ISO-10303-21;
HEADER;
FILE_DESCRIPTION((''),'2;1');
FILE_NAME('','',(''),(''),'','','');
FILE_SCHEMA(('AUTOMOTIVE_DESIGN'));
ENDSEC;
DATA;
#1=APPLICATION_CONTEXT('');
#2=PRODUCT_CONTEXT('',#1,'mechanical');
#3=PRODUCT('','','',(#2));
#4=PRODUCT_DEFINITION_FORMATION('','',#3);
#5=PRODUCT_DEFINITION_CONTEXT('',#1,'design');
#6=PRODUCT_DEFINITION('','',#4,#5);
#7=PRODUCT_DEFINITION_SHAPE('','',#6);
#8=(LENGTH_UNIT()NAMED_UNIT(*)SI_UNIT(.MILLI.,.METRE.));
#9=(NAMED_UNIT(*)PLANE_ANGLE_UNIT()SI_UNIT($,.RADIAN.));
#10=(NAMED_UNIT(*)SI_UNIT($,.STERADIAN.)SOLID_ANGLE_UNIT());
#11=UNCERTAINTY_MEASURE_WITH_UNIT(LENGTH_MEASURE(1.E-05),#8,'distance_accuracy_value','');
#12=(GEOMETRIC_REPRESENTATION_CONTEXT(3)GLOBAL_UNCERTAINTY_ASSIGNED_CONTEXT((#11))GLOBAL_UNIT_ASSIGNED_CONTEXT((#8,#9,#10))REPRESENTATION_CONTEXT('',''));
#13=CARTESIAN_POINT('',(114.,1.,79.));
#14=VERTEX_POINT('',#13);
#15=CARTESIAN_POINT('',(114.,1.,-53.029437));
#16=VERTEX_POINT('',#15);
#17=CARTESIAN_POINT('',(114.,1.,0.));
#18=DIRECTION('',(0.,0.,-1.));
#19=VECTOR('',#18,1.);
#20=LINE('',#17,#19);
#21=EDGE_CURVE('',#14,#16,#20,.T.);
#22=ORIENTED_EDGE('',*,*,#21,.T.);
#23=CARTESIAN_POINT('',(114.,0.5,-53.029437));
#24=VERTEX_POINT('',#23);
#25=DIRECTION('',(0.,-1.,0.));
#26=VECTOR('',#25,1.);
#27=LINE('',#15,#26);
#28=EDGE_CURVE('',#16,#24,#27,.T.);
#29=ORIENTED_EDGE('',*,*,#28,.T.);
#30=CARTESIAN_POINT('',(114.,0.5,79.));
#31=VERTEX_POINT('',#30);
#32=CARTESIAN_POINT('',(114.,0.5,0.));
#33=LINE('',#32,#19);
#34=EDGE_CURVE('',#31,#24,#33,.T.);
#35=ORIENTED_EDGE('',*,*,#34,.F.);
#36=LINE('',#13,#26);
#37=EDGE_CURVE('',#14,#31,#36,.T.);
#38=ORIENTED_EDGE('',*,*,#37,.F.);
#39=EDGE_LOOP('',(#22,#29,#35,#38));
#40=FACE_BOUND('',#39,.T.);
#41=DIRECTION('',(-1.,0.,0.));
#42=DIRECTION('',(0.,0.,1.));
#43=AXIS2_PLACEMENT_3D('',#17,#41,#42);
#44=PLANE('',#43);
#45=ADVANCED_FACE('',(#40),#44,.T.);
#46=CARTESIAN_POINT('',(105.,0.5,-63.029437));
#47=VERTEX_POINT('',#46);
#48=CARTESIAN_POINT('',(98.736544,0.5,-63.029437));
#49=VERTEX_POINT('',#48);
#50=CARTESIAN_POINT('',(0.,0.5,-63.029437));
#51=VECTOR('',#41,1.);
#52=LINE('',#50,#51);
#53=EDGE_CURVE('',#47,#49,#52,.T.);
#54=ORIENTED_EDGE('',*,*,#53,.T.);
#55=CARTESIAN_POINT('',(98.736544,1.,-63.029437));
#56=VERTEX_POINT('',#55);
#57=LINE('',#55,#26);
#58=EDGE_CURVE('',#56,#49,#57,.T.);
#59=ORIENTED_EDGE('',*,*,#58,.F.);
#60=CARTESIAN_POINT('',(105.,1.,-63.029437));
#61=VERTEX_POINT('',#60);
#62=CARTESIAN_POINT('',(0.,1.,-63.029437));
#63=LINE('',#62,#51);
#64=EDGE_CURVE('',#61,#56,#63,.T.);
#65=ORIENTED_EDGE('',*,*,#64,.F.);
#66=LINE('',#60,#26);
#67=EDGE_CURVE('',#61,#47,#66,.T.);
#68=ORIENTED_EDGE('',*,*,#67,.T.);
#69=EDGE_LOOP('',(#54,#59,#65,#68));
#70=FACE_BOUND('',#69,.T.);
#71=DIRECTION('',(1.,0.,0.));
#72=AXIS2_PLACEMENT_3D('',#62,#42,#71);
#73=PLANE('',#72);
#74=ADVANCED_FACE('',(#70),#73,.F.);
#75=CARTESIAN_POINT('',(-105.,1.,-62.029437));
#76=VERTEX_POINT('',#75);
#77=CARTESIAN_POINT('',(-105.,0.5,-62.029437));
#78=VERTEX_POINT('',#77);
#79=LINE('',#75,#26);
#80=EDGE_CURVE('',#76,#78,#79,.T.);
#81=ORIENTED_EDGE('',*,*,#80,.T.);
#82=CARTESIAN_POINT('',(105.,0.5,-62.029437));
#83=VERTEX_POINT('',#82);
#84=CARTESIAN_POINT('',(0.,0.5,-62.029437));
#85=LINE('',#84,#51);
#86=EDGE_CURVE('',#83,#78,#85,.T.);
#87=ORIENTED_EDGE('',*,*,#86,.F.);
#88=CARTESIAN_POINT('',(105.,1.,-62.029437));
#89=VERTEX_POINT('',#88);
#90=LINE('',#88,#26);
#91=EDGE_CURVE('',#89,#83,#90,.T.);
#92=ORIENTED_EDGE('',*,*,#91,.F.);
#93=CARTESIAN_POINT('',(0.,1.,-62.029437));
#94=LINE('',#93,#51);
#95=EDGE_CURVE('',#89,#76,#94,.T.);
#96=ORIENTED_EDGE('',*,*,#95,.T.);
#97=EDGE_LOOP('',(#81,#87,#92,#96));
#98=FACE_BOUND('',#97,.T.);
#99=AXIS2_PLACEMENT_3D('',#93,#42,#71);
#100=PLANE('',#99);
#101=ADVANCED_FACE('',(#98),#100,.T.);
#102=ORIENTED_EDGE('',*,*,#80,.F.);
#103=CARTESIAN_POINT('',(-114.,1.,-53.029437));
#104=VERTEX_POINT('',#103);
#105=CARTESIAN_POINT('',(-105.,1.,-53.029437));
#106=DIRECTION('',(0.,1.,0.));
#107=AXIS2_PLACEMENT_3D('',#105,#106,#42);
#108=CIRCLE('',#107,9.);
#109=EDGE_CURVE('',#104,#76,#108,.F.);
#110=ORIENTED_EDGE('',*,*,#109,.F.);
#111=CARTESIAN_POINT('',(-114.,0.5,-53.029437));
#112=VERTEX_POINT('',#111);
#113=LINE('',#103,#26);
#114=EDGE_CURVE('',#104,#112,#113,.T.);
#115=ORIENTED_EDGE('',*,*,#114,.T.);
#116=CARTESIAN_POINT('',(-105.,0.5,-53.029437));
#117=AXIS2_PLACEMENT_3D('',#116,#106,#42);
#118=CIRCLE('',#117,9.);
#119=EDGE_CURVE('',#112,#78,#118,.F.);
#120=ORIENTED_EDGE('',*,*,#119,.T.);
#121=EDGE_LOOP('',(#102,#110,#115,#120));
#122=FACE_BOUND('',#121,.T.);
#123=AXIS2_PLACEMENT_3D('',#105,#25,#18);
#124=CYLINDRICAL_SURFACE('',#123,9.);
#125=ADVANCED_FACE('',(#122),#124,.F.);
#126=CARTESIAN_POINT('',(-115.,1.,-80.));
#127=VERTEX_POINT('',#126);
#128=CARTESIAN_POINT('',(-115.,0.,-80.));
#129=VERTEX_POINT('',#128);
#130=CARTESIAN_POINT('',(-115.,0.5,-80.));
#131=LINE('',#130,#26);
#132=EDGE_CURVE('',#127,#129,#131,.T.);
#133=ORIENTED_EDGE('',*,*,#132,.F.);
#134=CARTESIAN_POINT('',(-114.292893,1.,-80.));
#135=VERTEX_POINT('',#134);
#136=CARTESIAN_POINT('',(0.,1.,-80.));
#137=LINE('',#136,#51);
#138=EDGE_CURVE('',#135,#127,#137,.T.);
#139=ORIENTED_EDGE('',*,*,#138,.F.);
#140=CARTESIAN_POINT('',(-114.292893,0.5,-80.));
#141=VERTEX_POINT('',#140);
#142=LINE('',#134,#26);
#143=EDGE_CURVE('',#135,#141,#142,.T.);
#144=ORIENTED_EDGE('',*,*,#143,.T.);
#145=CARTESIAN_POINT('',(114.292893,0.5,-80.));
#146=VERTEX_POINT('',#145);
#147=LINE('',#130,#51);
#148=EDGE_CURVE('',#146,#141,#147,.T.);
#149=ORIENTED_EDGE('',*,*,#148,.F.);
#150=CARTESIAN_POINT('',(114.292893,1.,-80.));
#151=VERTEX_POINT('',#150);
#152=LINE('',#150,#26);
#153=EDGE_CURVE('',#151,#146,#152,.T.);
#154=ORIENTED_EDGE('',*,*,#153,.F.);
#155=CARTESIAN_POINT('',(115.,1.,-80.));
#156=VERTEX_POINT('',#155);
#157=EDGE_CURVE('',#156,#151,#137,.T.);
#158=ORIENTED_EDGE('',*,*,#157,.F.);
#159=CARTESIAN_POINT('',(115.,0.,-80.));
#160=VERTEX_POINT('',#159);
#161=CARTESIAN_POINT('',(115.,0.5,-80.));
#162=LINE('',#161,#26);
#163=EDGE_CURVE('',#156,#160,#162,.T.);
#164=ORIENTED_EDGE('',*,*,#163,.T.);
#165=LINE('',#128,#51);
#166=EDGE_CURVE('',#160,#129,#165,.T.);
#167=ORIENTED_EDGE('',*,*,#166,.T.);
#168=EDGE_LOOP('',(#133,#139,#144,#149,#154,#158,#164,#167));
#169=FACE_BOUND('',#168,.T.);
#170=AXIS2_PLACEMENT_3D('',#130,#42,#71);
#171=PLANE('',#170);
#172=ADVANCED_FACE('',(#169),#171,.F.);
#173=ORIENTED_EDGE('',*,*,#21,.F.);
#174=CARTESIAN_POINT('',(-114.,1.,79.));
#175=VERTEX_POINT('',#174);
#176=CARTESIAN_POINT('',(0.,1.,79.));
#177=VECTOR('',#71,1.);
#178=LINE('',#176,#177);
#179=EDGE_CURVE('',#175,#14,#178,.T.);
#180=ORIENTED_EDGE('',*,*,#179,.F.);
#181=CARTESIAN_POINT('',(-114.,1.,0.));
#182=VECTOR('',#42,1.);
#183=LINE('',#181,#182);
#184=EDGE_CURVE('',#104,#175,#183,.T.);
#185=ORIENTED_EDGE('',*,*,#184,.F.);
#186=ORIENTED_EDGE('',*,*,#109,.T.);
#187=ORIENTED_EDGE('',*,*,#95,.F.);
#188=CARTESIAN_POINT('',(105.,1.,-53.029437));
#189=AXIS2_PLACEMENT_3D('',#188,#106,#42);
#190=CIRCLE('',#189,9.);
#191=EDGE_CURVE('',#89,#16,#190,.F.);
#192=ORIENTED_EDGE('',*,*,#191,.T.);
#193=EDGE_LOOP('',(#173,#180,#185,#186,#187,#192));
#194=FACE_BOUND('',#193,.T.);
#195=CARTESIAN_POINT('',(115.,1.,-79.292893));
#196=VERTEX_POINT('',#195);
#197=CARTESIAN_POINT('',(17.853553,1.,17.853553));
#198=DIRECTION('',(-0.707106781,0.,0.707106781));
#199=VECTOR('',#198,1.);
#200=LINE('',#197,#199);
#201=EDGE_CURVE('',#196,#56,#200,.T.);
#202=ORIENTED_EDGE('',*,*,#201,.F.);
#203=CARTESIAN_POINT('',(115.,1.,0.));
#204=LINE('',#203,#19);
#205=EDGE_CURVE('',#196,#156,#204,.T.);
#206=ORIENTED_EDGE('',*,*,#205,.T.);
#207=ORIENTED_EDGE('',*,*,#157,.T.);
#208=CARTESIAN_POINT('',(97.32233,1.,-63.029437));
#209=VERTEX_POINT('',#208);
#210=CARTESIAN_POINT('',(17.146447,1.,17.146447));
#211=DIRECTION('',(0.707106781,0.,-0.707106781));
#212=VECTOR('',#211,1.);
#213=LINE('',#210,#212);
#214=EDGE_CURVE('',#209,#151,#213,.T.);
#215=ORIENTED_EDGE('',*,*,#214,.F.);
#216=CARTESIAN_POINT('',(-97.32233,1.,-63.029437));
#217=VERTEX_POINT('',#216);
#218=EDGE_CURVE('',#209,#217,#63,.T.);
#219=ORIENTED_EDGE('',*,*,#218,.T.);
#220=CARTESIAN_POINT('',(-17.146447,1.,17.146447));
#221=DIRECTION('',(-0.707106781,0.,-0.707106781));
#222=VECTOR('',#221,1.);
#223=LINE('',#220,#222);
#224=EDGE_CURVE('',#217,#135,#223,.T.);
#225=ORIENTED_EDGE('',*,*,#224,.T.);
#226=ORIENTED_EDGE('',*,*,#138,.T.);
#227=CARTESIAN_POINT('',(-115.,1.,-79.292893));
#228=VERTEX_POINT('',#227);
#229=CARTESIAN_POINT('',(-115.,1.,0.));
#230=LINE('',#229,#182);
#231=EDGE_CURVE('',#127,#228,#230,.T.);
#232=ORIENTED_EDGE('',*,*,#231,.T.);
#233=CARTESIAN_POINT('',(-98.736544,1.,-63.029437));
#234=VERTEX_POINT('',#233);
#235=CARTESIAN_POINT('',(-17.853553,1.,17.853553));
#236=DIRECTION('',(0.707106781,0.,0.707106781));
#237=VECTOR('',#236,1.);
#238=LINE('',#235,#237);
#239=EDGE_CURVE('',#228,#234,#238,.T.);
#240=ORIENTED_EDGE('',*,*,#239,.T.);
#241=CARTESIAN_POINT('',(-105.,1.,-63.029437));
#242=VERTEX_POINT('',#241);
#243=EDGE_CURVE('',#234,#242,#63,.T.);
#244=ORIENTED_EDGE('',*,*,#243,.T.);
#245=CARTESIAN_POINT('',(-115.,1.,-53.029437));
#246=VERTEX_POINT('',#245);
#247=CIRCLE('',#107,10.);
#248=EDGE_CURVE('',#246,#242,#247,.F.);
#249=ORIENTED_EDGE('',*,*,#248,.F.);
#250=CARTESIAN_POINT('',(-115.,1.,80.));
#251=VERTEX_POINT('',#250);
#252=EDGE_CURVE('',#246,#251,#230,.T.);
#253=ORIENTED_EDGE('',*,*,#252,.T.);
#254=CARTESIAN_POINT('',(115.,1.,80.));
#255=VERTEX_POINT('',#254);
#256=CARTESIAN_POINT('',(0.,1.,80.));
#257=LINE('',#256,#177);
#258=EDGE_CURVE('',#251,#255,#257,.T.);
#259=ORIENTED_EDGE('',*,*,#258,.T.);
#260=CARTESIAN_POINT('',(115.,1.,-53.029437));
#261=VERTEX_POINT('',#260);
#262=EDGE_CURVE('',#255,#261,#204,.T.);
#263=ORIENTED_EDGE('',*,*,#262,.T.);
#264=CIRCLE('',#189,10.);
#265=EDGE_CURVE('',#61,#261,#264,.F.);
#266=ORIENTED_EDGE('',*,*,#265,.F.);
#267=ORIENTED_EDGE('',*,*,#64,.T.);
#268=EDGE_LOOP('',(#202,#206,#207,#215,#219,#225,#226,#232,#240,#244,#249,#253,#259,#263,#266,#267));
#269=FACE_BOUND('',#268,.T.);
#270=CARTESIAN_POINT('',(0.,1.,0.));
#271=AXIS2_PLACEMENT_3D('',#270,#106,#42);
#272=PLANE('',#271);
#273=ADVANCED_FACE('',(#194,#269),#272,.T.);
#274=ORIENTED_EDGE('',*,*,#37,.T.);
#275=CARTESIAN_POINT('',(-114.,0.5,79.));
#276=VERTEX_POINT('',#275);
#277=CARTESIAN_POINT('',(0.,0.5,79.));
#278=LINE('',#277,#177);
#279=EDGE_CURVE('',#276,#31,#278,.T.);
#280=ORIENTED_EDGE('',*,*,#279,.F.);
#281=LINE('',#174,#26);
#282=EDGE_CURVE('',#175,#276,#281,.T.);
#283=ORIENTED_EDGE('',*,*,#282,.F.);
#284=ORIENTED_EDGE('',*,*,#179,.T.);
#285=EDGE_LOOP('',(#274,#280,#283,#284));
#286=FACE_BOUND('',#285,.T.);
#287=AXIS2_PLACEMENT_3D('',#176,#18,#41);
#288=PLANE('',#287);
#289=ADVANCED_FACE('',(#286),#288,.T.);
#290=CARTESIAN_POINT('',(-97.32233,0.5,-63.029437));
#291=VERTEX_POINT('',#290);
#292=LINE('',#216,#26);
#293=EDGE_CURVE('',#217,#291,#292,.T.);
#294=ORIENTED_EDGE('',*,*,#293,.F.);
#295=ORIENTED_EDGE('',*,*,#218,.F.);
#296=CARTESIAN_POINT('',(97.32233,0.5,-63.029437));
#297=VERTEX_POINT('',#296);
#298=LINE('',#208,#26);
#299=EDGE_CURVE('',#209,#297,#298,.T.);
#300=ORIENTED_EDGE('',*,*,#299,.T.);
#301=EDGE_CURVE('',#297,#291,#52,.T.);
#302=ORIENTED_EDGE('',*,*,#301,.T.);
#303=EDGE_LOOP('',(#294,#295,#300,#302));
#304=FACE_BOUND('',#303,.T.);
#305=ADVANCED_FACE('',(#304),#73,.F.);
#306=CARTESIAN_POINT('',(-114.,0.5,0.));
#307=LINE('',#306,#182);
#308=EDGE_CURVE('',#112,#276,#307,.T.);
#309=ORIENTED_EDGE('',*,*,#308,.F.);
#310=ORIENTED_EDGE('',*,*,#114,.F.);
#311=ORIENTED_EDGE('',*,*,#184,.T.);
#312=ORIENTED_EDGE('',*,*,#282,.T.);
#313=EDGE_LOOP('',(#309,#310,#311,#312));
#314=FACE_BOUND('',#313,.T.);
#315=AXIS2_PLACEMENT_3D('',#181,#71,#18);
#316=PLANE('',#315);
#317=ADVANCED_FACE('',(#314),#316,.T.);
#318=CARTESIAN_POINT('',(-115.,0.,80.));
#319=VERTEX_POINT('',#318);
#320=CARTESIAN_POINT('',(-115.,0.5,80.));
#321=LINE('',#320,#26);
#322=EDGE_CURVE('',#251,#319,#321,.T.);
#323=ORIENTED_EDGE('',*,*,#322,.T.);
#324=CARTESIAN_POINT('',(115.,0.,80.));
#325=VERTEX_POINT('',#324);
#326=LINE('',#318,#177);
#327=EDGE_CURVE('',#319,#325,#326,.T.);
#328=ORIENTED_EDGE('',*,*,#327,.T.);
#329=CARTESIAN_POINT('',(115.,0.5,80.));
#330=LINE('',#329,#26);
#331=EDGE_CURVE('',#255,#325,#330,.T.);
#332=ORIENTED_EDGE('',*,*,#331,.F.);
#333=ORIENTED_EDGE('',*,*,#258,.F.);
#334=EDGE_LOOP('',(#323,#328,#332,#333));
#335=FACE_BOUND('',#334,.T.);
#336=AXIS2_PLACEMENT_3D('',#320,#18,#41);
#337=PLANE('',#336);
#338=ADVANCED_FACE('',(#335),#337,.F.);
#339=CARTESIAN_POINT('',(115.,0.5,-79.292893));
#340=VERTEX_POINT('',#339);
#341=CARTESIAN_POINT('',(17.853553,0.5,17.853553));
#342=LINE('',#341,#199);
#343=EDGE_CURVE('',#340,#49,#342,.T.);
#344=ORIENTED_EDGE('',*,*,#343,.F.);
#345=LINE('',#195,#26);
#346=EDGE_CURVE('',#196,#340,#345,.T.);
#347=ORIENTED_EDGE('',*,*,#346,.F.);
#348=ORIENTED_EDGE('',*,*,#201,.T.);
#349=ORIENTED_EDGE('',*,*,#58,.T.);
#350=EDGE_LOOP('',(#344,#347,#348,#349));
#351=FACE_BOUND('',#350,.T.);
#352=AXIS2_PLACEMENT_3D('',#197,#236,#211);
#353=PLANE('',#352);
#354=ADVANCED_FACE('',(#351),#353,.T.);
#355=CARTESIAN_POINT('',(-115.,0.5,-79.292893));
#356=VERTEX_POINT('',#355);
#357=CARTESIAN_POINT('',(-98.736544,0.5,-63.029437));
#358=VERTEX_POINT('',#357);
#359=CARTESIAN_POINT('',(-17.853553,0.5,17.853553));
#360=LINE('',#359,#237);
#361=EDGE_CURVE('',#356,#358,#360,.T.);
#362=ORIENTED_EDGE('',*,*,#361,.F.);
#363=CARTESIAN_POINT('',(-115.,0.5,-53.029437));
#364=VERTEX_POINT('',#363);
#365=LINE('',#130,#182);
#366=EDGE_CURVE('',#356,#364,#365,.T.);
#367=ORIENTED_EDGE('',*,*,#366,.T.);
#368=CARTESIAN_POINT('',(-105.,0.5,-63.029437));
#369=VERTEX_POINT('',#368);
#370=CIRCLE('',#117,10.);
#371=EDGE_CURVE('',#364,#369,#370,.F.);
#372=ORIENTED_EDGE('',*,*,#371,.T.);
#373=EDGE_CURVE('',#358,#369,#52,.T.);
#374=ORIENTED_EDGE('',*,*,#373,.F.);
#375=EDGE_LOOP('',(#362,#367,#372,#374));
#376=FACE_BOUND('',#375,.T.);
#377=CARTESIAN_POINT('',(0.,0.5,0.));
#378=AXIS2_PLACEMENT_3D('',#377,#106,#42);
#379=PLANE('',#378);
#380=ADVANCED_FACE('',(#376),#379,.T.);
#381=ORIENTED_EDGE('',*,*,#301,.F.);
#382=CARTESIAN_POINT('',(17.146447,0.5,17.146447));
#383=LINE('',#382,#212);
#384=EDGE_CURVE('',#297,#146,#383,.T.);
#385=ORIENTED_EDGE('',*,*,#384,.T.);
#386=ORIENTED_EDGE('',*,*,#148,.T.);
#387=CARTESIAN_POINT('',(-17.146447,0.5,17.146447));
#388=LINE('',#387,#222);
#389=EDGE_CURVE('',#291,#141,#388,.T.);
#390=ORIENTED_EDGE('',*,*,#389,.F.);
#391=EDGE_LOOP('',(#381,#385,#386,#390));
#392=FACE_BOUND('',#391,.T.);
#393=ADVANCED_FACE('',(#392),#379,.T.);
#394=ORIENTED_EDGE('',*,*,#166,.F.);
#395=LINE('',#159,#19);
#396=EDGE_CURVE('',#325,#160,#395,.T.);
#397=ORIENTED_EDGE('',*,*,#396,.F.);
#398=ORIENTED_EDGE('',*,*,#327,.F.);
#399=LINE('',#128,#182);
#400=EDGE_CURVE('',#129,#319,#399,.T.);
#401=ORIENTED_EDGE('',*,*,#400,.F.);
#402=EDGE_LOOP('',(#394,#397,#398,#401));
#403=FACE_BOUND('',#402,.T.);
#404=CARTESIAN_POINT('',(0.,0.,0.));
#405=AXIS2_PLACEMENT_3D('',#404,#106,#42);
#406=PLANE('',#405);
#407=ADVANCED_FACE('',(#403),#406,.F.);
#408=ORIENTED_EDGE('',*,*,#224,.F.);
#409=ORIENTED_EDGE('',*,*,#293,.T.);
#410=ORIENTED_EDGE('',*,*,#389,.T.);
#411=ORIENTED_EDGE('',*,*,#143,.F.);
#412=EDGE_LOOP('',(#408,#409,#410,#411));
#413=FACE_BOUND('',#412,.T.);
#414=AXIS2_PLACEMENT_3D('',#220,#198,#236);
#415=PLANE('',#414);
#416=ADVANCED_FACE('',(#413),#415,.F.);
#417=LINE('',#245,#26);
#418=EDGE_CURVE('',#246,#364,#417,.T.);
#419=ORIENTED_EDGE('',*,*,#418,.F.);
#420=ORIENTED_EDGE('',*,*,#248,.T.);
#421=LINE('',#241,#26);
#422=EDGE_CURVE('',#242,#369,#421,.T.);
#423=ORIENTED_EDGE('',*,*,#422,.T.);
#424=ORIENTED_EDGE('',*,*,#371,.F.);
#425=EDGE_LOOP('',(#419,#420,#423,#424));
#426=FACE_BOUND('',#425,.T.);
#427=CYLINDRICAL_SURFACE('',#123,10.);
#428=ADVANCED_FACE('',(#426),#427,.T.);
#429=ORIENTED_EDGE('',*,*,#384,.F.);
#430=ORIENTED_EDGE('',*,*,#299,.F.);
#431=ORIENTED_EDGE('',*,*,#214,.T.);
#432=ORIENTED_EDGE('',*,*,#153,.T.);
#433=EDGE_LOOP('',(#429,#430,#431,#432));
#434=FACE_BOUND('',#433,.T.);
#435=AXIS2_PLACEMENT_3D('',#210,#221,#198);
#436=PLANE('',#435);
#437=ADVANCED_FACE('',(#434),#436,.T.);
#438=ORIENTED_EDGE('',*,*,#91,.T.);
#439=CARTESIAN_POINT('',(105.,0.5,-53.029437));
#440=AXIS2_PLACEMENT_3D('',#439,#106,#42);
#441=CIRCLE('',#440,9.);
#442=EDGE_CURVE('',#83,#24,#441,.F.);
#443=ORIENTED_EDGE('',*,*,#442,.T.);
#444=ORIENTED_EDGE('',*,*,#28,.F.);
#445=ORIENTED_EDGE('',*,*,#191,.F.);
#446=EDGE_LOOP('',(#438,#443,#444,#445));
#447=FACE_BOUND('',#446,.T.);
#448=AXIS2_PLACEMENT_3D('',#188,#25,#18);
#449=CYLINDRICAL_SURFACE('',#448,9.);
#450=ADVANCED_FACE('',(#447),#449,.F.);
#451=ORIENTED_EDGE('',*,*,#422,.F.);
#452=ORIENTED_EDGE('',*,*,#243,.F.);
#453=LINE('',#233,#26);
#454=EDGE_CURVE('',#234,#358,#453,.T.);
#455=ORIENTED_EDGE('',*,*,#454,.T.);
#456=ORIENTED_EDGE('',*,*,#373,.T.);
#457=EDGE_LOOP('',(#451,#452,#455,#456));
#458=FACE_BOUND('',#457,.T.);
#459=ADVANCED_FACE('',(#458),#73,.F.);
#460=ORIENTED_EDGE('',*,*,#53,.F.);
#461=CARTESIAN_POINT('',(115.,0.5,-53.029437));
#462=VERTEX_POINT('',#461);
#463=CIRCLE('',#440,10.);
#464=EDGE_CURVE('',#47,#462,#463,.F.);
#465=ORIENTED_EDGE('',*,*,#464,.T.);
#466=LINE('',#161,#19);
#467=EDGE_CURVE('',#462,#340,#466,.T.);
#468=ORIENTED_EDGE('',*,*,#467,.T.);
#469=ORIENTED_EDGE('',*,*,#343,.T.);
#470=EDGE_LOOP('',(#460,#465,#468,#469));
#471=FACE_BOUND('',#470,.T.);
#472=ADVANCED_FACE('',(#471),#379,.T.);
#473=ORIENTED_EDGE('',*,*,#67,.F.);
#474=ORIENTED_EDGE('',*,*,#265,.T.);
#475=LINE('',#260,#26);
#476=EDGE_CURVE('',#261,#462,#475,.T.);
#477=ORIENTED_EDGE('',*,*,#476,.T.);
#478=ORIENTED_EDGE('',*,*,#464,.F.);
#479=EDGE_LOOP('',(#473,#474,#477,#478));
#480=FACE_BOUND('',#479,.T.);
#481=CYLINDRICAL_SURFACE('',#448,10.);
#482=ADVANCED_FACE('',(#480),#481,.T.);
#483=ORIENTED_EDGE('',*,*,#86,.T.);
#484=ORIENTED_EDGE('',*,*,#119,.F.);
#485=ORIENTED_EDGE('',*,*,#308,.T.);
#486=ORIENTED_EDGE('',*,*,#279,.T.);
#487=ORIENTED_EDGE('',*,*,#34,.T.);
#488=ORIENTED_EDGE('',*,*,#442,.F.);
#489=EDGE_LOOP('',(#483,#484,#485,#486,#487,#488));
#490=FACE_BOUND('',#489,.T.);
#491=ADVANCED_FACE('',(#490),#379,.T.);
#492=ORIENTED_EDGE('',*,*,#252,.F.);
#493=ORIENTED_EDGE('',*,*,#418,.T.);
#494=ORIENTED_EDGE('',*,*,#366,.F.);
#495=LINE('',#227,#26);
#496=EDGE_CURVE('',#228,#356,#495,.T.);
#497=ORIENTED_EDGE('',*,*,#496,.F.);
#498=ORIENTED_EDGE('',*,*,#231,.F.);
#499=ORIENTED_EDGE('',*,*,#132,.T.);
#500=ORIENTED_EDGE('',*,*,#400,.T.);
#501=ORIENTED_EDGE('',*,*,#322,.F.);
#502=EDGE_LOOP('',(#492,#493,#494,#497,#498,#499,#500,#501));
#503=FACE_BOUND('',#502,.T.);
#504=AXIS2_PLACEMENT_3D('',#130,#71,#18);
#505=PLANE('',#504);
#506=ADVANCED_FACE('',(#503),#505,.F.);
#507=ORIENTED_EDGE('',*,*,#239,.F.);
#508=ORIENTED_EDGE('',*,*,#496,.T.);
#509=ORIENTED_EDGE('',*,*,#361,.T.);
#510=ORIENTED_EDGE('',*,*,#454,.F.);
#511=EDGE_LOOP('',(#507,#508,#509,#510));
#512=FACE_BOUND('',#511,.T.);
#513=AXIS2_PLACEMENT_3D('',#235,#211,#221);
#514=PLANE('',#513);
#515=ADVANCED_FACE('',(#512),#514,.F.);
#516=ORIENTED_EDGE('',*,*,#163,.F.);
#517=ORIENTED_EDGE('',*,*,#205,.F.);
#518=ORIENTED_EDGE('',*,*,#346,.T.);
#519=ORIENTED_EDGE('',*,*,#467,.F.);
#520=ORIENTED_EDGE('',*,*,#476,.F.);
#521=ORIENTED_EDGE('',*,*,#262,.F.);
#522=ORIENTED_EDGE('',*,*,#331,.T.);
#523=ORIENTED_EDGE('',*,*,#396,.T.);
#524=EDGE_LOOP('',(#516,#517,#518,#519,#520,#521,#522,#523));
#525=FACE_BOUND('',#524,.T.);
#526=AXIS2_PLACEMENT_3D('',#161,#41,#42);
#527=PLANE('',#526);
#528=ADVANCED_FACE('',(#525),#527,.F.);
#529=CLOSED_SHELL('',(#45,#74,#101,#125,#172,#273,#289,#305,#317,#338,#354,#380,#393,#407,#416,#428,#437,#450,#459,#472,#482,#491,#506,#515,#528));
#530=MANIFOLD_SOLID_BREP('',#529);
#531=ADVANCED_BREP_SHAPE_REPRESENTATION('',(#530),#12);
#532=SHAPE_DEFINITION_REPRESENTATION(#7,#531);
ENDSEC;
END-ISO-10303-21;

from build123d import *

# Parameters (mm, degrees)
SKETCH1_W           = 230
SKETCH1_H           = 160
BOSS_EXTRUDE1_DEPTH = 0.5
BOSS_EXTRUDE2_DEPTH = 0.5


with BuildPart() as part:
    # Sketch1 → Boss-Extrude1 (new body)
    with BuildSketch(Plane(origin=(0, 0, 0), x_dir=(1, 0, 0), z_dir=(0, 1, 0))):
        Rectangle(SKETCH1_W, SKETCH1_H)
    extrude(amount=BOSS_EXTRUDE1_DEPTH)

    # Sketch2 → Boss-Extrude2 (add)
    with BuildSketch(Plane(origin=(0, 0.5, 0), x_dir=(1, 0, 0), z_dir=(0, 1, 0))):
        with BuildLine():
            Line((-97.32233047, 63.029437252), (-98.736544033, 63.029437252))
            Line((-98.736544033, 63.029437252), (-105, 63.029437252))
            ThreePointArc((-105, 63.029437252), (-112.071067812, 60.100505063), (-115, 53.029437252))
            Line((-115, 53.029437252), (-115, -80))
            Line((-115, -80), (115, -80))
            Line((115, -80), (115, 53.029437252))
            ThreePointArc((115, 53.029437252), (112.071067812, 60.100505063), (105, 63.029437252))
            Line((105, 63.029437252), (98.736544033, 63.029437252))
            Line((98.736544033, 63.029437252), (97.32233047, 63.029437252))
            Line((97.32233047, 63.029437252), (-97.32233047, 63.029437252))
        make_face()
        with BuildLine():
            Line((-105, 62.029437252), (105, 62.029437252))
            ThreePointArc((105, 62.029437252), (111.363961031, 59.393398282), (114, 53.029437252))
            Line((114, 53.029437252), (114, -79))
            Line((114, -79), (-114, -79))
            Line((-114, -79), (-114, 53.029437252))
            ThreePointArc((-114, 53.029437252), (-111.363961031, 59.393398282), (-105, 62.029437252))
        make_face(mode=Mode.SUBTRACT)
        Polygon((-115, 80), (-115, 79.292893219), (-98.736544033, 63.029437252), (-97.32233047, 63.029437252), (-114.292893219, 80), align=None)
        Polygon((114.292893219, 80), (97.32233047, 63.029437252), (98.736544033, 63.029437252), (115, 79.292893219), (115, 80), align=None)
    extrude(amount=BOSS_EXTRUDE2_DEPTH)


solid = part.part
